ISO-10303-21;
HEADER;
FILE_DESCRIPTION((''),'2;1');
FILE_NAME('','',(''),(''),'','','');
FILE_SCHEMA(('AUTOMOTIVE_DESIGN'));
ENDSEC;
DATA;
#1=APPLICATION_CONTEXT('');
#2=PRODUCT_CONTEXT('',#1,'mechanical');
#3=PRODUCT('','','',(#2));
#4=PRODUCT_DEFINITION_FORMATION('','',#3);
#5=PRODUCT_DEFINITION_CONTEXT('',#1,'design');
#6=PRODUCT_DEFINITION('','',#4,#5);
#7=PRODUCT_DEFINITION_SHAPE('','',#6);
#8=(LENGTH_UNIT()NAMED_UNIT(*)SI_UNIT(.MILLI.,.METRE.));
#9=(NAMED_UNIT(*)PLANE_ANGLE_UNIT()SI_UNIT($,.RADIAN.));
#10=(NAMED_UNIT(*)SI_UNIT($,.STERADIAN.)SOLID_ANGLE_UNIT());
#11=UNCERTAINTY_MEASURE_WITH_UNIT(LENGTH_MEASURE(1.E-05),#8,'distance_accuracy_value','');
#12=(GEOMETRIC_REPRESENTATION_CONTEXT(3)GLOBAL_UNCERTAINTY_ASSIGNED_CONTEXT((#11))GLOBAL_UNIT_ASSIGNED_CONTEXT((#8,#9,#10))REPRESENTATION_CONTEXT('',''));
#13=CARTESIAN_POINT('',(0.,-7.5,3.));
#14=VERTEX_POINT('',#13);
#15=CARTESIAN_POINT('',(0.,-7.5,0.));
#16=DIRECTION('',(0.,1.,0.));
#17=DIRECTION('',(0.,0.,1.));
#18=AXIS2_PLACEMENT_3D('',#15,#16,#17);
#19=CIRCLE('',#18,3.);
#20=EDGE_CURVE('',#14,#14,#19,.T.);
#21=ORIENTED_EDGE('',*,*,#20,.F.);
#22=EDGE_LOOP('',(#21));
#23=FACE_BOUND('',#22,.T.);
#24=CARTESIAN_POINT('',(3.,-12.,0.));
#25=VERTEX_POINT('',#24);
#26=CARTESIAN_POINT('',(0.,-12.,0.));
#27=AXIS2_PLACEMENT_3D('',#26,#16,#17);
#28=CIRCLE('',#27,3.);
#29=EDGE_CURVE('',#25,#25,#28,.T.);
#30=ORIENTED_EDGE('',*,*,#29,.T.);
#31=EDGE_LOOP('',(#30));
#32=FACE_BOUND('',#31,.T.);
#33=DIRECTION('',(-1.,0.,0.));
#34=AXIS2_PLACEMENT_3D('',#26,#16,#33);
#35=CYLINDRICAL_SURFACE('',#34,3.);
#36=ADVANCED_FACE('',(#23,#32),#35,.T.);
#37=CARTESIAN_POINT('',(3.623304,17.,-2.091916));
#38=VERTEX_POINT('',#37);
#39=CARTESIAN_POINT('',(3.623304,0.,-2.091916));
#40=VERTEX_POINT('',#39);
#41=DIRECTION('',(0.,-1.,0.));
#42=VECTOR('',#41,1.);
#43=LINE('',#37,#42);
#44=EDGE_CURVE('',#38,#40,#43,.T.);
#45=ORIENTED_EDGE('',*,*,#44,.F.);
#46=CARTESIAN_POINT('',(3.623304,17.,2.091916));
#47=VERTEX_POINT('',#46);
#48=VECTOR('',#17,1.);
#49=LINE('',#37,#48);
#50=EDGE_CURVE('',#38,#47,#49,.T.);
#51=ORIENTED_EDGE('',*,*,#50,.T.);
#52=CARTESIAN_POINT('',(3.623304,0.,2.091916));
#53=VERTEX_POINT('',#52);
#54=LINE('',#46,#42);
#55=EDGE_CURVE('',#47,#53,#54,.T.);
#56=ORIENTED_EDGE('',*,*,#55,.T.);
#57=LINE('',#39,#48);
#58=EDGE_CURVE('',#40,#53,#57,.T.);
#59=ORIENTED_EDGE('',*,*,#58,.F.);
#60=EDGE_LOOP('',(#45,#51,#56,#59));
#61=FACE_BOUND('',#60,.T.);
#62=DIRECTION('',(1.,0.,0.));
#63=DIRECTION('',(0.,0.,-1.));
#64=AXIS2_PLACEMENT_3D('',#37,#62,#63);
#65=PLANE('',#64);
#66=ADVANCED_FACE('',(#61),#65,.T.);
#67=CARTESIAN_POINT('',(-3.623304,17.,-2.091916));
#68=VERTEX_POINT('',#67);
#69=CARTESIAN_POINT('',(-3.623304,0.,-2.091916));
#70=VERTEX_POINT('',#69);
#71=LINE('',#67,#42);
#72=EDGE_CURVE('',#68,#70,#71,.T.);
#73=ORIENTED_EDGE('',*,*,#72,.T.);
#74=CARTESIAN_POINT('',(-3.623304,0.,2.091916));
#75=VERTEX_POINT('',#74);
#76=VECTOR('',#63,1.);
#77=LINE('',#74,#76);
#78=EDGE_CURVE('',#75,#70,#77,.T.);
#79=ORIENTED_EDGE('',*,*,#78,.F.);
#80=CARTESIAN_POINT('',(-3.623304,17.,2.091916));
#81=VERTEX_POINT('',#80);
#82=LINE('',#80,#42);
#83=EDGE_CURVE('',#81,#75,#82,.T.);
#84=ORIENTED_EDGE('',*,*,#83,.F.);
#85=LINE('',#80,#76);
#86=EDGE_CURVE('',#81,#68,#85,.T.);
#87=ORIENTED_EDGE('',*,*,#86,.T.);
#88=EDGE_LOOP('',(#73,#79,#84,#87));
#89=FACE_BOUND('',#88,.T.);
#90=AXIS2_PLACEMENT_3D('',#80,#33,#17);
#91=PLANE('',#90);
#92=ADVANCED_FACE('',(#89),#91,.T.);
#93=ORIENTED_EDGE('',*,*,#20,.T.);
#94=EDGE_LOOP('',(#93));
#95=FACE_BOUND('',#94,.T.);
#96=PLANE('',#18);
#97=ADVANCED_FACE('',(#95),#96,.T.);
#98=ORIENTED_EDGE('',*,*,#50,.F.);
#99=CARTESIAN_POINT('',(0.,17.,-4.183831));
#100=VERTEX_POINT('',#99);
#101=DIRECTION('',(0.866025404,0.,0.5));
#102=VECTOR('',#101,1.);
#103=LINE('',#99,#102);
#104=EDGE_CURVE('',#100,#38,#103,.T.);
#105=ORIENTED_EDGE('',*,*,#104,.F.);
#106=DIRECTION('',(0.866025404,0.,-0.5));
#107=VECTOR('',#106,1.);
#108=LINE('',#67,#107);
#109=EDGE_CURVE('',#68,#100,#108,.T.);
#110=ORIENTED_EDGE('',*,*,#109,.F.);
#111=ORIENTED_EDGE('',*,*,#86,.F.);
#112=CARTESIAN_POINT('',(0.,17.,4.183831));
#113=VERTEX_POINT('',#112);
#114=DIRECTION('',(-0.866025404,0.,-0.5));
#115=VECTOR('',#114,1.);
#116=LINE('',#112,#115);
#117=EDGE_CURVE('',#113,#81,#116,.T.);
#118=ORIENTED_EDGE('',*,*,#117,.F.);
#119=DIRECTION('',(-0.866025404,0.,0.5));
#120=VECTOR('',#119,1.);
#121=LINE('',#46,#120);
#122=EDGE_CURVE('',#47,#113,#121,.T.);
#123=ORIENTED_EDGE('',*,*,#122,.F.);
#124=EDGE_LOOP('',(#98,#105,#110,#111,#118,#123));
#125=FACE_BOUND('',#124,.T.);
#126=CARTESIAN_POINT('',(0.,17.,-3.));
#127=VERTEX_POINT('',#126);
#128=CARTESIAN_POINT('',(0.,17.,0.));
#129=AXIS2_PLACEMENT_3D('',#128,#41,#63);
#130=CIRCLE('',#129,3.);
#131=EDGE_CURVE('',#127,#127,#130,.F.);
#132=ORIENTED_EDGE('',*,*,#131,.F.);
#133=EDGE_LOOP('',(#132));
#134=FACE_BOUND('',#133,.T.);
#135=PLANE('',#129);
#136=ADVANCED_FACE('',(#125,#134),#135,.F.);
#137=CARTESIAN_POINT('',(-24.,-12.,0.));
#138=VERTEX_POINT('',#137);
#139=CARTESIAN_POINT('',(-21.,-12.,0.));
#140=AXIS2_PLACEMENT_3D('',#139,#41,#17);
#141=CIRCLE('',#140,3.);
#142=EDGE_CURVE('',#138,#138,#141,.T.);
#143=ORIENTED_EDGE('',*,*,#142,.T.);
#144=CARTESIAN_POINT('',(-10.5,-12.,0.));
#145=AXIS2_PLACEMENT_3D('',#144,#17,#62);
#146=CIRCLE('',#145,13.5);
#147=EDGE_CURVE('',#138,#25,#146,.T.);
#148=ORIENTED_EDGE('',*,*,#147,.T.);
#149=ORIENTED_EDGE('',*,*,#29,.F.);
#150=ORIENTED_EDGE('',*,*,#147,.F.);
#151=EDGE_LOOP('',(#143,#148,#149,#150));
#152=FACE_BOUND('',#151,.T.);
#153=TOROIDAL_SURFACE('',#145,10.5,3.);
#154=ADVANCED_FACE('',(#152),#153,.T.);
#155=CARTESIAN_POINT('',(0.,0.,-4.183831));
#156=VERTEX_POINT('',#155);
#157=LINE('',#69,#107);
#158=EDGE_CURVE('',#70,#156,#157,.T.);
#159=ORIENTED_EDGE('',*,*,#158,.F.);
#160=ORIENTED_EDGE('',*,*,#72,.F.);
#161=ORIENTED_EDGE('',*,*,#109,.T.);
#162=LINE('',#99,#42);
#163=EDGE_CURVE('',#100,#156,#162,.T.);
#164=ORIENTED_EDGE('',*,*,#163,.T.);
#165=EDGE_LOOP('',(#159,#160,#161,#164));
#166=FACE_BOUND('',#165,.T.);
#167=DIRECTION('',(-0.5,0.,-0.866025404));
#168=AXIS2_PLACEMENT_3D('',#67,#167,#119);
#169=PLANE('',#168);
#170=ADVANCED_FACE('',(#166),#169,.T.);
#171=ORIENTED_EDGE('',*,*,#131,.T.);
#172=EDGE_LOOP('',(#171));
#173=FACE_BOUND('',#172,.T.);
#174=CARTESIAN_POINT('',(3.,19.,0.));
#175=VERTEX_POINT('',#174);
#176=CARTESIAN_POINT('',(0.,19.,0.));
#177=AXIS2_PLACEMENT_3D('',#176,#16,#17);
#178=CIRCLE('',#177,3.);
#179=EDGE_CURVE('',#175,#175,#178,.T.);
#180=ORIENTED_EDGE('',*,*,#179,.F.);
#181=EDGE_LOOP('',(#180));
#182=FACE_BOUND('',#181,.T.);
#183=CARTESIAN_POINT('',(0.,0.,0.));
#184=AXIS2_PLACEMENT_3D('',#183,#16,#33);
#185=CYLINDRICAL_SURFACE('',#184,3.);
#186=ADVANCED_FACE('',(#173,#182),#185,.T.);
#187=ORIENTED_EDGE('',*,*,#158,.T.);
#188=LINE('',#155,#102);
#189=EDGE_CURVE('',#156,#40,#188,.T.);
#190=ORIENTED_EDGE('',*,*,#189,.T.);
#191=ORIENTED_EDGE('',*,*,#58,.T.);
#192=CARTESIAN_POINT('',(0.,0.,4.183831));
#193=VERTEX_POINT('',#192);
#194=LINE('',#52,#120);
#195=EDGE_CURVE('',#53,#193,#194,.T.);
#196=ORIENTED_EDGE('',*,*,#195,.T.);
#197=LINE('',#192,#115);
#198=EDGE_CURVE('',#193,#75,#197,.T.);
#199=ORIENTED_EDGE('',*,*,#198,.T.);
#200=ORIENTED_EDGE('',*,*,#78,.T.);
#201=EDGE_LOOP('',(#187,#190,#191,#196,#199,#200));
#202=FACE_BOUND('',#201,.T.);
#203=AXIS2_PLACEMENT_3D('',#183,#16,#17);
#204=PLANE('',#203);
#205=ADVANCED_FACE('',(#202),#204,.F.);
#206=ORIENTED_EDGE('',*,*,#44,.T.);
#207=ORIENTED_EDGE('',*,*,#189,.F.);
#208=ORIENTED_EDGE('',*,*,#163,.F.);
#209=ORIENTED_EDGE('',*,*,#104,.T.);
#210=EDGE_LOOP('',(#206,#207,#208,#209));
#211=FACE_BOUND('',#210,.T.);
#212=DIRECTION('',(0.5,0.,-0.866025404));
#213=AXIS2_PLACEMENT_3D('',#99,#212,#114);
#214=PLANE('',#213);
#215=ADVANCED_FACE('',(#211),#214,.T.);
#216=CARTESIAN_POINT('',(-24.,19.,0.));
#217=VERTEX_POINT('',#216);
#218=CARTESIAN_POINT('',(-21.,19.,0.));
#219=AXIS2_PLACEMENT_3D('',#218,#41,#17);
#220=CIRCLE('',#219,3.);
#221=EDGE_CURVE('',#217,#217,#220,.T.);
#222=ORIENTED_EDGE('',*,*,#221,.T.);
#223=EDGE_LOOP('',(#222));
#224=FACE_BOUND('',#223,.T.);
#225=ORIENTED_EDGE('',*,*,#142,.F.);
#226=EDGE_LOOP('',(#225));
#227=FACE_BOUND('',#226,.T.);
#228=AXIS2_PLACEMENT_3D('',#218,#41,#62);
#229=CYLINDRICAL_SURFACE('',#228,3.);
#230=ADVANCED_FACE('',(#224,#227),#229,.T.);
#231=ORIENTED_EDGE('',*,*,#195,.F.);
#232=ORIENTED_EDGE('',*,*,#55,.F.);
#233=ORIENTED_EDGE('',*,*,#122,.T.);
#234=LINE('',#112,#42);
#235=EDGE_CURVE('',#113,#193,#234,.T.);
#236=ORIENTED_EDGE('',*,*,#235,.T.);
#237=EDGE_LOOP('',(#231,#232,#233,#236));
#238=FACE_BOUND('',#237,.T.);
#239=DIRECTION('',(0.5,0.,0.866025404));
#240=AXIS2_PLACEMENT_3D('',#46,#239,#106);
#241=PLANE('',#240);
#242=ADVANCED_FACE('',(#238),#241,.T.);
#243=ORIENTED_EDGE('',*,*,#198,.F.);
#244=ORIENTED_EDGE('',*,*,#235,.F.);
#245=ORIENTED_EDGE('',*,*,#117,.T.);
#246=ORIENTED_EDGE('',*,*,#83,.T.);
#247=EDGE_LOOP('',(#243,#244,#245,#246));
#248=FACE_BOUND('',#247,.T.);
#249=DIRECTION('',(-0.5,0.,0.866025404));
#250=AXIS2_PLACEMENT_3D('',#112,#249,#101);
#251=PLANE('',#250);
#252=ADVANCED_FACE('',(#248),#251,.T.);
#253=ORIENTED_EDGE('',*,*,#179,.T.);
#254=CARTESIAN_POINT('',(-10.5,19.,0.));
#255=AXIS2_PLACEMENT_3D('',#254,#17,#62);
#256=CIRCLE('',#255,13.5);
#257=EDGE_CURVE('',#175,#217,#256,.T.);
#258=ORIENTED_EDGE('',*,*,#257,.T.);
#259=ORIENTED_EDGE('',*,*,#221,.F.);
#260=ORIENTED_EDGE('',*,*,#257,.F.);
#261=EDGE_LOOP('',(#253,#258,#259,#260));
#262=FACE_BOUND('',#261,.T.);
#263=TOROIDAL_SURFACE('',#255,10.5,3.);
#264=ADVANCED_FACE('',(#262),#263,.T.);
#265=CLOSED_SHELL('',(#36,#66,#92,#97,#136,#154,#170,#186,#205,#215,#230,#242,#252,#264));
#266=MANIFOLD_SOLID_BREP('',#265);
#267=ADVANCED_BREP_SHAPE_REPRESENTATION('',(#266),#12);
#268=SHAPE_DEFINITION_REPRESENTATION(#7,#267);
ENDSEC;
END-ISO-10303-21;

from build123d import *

# Parameters (mm, degrees)
SKETCH1_R           = 3
BOSS_EXTRUDE1_DEPTH = 17


with BuildPart() as part:
    # Sweep1: sweep along a path in Sketch2
    with BuildLine(Plane.XY) as sweep1_path:
        Line((0, 0), (0, 19))
        ThreePointArc((0, 19), (-10.5, 29.5), (-21, 19))
        Line((-21, 19), (-21, -12))
        ThreePointArc((-21, -12), (-10.5, -22.5), (0, -12))
        Line((0, -12), (0, -7.5))
    # Sketch1 → Sweep1 (sweep)
    with BuildSketch(Plane(origin=(0, 0, 0), x_dir=(1, 0, 0), z_dir=(0, 1, 0))):
        Circle(SKETCH1_R)
    sweep(path=sweep1_path.line)

    # Sketch3 → Boss-Extrude1 (add)
    with BuildSketch(Plane.XZ):
        Polygon((3.623304072, 2.091915581), (0, 4.183831163), (-3.623304072, 2.091915581), (-3.623304072, -2.091915581), (0, -4.183831163), (3.623304072, -2.091915581), align=None)
    extrude(amount=-BOSS_EXTRUDE1_DEPTH)


solid = part.part
